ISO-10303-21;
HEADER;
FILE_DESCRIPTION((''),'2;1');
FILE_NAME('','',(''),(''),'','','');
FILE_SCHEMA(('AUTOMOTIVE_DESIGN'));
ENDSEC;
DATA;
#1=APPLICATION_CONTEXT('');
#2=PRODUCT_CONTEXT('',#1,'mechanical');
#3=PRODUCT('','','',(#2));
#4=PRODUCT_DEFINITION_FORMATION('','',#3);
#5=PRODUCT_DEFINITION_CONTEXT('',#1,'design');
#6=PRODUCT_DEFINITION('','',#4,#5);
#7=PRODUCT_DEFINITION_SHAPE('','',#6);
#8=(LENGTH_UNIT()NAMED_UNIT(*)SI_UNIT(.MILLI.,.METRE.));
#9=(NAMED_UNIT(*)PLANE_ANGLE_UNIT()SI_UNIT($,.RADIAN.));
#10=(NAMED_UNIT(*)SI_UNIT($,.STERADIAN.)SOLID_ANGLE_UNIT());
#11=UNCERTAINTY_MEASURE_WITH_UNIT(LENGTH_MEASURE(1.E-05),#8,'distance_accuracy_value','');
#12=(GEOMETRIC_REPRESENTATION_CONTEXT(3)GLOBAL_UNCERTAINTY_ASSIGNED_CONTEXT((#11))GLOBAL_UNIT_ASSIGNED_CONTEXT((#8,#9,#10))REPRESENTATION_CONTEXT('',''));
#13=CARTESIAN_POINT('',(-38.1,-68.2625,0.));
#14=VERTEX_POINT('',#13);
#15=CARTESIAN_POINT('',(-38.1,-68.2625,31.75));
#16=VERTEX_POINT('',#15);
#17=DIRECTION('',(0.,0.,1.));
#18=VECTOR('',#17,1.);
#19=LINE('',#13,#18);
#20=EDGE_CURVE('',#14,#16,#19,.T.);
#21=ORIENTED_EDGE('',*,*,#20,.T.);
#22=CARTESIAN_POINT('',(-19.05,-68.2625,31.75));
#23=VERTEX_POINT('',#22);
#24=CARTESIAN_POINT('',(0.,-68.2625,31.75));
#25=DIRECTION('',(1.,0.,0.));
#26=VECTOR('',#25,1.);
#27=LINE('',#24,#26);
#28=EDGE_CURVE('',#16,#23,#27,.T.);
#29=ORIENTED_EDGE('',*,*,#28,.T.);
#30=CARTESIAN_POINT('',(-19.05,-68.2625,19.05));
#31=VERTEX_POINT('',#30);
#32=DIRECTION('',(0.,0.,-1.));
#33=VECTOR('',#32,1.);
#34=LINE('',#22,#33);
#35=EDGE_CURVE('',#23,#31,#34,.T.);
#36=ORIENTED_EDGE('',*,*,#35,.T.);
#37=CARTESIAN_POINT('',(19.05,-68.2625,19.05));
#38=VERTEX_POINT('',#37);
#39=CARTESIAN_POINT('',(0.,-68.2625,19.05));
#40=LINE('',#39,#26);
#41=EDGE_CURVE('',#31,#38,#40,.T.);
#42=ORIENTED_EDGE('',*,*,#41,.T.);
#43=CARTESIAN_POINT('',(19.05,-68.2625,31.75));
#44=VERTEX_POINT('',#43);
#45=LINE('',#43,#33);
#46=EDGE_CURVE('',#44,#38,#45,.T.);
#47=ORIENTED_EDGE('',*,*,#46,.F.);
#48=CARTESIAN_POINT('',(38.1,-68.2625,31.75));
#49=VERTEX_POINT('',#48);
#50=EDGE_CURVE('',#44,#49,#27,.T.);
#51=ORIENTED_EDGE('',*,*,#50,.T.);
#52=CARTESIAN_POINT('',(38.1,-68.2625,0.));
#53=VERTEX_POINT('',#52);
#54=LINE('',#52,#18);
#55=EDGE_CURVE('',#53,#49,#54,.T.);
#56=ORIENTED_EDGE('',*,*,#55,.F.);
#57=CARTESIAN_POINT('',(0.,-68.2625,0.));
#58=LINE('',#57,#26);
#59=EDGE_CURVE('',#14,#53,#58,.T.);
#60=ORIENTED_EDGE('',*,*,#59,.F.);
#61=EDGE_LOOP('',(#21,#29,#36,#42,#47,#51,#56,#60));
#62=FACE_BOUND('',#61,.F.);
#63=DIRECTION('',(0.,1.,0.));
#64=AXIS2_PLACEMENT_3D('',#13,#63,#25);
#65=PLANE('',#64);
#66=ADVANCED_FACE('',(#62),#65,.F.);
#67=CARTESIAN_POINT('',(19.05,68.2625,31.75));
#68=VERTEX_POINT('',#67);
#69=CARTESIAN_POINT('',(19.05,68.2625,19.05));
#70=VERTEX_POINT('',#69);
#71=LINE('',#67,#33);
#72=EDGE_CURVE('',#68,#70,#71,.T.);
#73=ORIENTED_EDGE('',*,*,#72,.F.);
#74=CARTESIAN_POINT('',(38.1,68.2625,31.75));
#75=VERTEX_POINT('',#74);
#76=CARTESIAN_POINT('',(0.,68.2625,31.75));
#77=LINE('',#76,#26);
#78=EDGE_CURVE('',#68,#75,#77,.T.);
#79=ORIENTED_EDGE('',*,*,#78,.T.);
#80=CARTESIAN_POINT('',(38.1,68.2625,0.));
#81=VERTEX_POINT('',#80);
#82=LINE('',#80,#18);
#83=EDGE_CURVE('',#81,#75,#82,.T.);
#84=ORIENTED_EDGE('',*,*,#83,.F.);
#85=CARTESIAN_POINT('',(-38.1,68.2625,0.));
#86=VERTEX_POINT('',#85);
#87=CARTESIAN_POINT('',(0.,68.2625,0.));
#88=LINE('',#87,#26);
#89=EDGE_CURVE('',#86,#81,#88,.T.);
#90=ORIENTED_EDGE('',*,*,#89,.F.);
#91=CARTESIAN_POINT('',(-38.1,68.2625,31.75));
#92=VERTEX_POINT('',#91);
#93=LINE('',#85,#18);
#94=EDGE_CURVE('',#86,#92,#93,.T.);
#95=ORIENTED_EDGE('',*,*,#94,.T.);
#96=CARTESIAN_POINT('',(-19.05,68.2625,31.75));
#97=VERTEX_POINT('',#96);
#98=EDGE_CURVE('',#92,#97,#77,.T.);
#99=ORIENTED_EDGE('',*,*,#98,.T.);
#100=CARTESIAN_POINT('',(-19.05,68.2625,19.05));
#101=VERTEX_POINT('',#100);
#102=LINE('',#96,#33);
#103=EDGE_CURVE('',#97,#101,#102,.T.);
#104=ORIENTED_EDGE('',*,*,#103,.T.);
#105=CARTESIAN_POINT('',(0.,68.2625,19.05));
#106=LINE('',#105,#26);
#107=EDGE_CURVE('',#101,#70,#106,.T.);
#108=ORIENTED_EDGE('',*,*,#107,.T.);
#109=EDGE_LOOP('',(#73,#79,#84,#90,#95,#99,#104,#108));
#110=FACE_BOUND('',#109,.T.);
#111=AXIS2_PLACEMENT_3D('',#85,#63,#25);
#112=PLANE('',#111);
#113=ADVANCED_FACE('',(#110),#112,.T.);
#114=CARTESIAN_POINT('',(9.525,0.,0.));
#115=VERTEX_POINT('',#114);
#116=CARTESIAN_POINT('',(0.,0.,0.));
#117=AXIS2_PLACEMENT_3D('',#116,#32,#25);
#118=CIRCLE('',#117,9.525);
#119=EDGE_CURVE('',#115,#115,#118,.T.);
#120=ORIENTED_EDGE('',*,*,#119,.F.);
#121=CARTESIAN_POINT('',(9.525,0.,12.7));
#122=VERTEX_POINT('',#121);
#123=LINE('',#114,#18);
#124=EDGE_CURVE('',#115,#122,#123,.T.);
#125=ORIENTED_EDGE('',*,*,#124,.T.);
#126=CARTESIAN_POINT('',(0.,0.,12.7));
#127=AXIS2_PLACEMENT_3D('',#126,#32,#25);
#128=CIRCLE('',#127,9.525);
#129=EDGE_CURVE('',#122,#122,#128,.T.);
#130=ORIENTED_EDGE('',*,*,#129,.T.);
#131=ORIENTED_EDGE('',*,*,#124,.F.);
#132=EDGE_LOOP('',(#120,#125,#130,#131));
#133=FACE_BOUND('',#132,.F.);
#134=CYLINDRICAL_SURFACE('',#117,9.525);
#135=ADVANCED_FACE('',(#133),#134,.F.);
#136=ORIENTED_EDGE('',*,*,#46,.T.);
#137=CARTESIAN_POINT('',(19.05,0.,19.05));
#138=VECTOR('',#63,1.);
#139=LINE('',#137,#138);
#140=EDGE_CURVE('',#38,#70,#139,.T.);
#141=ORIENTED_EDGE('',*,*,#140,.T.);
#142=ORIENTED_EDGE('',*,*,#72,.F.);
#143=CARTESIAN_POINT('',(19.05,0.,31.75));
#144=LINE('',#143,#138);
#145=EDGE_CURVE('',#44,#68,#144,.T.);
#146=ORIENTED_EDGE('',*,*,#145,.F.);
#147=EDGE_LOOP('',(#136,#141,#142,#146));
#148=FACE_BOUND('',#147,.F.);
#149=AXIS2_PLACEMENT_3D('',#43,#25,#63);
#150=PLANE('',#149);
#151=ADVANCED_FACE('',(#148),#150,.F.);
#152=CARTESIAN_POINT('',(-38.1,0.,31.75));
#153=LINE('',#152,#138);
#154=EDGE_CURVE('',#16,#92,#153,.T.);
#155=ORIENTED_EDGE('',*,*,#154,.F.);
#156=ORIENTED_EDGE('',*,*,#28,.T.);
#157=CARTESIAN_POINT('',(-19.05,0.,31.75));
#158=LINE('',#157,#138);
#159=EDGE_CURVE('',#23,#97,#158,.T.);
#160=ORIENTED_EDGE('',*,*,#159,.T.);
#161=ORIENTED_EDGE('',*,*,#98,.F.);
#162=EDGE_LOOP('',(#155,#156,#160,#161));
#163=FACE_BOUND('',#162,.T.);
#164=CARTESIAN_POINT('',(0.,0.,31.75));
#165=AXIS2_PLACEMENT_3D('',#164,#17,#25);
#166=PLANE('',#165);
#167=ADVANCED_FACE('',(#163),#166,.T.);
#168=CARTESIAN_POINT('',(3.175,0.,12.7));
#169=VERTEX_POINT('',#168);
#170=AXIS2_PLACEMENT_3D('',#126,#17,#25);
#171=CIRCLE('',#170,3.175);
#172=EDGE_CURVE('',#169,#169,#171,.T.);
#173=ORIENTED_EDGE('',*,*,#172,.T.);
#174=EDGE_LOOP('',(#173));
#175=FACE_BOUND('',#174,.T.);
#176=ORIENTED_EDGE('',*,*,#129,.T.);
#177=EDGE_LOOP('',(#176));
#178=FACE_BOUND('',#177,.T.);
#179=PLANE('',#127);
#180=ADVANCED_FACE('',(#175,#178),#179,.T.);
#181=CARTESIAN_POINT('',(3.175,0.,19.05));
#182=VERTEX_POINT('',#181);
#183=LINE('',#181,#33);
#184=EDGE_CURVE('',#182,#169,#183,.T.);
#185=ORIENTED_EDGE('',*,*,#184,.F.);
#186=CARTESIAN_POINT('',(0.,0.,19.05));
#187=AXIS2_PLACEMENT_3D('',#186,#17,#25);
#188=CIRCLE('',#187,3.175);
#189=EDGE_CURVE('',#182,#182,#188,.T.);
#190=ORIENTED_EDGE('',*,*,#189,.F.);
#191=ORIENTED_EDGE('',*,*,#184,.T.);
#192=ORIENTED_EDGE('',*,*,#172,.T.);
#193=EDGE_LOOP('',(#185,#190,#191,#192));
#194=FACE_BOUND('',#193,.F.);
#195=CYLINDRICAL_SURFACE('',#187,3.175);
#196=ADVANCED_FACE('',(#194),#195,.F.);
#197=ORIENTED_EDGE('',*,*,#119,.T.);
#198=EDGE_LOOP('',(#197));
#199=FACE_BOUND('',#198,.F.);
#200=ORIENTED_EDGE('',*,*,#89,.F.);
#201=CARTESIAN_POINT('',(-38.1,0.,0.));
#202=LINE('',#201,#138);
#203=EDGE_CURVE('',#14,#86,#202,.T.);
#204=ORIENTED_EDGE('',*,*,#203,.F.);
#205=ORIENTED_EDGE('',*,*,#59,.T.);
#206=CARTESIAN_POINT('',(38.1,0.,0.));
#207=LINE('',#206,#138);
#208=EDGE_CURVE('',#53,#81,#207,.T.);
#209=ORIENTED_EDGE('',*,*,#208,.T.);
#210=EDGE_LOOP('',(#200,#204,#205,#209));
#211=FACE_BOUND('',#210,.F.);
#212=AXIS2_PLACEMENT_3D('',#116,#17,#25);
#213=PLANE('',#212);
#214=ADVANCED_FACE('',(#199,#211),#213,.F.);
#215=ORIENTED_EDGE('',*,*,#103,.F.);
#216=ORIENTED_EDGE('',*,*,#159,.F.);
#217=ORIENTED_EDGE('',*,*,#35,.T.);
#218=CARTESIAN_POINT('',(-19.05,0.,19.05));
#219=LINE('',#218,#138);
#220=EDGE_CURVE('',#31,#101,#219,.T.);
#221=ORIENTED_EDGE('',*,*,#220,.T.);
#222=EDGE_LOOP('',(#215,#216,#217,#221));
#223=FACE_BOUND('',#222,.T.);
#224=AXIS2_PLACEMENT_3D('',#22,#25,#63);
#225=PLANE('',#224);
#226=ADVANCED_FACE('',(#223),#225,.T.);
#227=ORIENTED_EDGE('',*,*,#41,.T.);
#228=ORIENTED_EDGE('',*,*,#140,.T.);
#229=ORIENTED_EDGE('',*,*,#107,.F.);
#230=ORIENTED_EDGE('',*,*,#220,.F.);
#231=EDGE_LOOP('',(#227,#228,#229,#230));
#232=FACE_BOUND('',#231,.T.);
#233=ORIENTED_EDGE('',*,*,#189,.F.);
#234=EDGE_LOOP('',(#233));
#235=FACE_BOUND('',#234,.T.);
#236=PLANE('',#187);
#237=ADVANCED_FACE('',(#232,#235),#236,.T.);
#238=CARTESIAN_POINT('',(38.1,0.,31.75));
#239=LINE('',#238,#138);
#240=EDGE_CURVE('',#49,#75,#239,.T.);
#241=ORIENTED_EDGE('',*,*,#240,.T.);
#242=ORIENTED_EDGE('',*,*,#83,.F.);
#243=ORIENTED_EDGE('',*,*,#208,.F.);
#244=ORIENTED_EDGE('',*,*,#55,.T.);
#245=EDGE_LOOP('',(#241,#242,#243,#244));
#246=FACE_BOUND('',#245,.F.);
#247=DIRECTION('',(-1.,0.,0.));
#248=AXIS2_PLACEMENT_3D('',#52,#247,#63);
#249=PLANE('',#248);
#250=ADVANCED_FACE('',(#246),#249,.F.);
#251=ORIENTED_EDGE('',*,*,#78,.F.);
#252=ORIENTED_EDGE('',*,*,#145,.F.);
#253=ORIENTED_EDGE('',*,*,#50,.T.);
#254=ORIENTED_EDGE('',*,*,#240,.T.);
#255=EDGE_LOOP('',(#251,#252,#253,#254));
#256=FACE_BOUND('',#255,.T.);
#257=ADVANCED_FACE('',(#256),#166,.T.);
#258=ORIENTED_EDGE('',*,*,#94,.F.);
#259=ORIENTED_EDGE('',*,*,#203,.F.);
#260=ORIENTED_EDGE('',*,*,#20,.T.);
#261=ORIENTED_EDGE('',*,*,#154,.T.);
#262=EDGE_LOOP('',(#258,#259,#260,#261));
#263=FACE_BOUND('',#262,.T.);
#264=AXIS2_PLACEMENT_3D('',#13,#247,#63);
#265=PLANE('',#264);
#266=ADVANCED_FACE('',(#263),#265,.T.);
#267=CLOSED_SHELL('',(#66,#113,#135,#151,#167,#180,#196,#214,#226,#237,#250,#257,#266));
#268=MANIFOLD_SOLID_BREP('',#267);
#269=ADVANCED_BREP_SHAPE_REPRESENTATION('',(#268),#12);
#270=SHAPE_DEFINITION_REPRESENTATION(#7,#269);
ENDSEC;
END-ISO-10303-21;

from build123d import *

# Parameters (mm, degrees)
F0_W     = 76.2
F0_H     = 136.525
F1_DEPTH = 31.75
F2_W     = 38.1
F2_H     = 136.525
F3_DEPTH = 12.7
F5_R     = 9.525
F6_DEPTH = 12.7
F4_R     = 3.175
F7_DEPTH = 254


with BuildPart() as f1:
    # F0 (on Top) → F1 (new body)
    with BuildSketch(Plane.XY):
        Rectangle(F0_W, F0_H)
    extrude(amount=F1_DEPTH)

    # F2 (on face) → F3 (cut)
    with BuildSketch(Plane.XY.offset(31.75)):
        Rectangle(F2_W, F2_H)
    extrude(amount=-F3_DEPTH, mode=Mode.SUBTRACT)

    # F5 (on face) → F6 (cut)
    with BuildSketch(Plane(origin=(0, 0, 0), x_dir=(1, 0, 0), z_dir=(0, 0, -1))):
        Circle(F5_R)
    extrude(amount=-F6_DEPTH, mode=Mode.SUBTRACT)

    # F4 (on face) → F7 (cut)
    with BuildSketch(Plane.XY.offset(19.05)):
        Circle(F4_R)
    extrude(amount=-F7_DEPTH, mode=Mode.SUBTRACT)


solid = f1.part
